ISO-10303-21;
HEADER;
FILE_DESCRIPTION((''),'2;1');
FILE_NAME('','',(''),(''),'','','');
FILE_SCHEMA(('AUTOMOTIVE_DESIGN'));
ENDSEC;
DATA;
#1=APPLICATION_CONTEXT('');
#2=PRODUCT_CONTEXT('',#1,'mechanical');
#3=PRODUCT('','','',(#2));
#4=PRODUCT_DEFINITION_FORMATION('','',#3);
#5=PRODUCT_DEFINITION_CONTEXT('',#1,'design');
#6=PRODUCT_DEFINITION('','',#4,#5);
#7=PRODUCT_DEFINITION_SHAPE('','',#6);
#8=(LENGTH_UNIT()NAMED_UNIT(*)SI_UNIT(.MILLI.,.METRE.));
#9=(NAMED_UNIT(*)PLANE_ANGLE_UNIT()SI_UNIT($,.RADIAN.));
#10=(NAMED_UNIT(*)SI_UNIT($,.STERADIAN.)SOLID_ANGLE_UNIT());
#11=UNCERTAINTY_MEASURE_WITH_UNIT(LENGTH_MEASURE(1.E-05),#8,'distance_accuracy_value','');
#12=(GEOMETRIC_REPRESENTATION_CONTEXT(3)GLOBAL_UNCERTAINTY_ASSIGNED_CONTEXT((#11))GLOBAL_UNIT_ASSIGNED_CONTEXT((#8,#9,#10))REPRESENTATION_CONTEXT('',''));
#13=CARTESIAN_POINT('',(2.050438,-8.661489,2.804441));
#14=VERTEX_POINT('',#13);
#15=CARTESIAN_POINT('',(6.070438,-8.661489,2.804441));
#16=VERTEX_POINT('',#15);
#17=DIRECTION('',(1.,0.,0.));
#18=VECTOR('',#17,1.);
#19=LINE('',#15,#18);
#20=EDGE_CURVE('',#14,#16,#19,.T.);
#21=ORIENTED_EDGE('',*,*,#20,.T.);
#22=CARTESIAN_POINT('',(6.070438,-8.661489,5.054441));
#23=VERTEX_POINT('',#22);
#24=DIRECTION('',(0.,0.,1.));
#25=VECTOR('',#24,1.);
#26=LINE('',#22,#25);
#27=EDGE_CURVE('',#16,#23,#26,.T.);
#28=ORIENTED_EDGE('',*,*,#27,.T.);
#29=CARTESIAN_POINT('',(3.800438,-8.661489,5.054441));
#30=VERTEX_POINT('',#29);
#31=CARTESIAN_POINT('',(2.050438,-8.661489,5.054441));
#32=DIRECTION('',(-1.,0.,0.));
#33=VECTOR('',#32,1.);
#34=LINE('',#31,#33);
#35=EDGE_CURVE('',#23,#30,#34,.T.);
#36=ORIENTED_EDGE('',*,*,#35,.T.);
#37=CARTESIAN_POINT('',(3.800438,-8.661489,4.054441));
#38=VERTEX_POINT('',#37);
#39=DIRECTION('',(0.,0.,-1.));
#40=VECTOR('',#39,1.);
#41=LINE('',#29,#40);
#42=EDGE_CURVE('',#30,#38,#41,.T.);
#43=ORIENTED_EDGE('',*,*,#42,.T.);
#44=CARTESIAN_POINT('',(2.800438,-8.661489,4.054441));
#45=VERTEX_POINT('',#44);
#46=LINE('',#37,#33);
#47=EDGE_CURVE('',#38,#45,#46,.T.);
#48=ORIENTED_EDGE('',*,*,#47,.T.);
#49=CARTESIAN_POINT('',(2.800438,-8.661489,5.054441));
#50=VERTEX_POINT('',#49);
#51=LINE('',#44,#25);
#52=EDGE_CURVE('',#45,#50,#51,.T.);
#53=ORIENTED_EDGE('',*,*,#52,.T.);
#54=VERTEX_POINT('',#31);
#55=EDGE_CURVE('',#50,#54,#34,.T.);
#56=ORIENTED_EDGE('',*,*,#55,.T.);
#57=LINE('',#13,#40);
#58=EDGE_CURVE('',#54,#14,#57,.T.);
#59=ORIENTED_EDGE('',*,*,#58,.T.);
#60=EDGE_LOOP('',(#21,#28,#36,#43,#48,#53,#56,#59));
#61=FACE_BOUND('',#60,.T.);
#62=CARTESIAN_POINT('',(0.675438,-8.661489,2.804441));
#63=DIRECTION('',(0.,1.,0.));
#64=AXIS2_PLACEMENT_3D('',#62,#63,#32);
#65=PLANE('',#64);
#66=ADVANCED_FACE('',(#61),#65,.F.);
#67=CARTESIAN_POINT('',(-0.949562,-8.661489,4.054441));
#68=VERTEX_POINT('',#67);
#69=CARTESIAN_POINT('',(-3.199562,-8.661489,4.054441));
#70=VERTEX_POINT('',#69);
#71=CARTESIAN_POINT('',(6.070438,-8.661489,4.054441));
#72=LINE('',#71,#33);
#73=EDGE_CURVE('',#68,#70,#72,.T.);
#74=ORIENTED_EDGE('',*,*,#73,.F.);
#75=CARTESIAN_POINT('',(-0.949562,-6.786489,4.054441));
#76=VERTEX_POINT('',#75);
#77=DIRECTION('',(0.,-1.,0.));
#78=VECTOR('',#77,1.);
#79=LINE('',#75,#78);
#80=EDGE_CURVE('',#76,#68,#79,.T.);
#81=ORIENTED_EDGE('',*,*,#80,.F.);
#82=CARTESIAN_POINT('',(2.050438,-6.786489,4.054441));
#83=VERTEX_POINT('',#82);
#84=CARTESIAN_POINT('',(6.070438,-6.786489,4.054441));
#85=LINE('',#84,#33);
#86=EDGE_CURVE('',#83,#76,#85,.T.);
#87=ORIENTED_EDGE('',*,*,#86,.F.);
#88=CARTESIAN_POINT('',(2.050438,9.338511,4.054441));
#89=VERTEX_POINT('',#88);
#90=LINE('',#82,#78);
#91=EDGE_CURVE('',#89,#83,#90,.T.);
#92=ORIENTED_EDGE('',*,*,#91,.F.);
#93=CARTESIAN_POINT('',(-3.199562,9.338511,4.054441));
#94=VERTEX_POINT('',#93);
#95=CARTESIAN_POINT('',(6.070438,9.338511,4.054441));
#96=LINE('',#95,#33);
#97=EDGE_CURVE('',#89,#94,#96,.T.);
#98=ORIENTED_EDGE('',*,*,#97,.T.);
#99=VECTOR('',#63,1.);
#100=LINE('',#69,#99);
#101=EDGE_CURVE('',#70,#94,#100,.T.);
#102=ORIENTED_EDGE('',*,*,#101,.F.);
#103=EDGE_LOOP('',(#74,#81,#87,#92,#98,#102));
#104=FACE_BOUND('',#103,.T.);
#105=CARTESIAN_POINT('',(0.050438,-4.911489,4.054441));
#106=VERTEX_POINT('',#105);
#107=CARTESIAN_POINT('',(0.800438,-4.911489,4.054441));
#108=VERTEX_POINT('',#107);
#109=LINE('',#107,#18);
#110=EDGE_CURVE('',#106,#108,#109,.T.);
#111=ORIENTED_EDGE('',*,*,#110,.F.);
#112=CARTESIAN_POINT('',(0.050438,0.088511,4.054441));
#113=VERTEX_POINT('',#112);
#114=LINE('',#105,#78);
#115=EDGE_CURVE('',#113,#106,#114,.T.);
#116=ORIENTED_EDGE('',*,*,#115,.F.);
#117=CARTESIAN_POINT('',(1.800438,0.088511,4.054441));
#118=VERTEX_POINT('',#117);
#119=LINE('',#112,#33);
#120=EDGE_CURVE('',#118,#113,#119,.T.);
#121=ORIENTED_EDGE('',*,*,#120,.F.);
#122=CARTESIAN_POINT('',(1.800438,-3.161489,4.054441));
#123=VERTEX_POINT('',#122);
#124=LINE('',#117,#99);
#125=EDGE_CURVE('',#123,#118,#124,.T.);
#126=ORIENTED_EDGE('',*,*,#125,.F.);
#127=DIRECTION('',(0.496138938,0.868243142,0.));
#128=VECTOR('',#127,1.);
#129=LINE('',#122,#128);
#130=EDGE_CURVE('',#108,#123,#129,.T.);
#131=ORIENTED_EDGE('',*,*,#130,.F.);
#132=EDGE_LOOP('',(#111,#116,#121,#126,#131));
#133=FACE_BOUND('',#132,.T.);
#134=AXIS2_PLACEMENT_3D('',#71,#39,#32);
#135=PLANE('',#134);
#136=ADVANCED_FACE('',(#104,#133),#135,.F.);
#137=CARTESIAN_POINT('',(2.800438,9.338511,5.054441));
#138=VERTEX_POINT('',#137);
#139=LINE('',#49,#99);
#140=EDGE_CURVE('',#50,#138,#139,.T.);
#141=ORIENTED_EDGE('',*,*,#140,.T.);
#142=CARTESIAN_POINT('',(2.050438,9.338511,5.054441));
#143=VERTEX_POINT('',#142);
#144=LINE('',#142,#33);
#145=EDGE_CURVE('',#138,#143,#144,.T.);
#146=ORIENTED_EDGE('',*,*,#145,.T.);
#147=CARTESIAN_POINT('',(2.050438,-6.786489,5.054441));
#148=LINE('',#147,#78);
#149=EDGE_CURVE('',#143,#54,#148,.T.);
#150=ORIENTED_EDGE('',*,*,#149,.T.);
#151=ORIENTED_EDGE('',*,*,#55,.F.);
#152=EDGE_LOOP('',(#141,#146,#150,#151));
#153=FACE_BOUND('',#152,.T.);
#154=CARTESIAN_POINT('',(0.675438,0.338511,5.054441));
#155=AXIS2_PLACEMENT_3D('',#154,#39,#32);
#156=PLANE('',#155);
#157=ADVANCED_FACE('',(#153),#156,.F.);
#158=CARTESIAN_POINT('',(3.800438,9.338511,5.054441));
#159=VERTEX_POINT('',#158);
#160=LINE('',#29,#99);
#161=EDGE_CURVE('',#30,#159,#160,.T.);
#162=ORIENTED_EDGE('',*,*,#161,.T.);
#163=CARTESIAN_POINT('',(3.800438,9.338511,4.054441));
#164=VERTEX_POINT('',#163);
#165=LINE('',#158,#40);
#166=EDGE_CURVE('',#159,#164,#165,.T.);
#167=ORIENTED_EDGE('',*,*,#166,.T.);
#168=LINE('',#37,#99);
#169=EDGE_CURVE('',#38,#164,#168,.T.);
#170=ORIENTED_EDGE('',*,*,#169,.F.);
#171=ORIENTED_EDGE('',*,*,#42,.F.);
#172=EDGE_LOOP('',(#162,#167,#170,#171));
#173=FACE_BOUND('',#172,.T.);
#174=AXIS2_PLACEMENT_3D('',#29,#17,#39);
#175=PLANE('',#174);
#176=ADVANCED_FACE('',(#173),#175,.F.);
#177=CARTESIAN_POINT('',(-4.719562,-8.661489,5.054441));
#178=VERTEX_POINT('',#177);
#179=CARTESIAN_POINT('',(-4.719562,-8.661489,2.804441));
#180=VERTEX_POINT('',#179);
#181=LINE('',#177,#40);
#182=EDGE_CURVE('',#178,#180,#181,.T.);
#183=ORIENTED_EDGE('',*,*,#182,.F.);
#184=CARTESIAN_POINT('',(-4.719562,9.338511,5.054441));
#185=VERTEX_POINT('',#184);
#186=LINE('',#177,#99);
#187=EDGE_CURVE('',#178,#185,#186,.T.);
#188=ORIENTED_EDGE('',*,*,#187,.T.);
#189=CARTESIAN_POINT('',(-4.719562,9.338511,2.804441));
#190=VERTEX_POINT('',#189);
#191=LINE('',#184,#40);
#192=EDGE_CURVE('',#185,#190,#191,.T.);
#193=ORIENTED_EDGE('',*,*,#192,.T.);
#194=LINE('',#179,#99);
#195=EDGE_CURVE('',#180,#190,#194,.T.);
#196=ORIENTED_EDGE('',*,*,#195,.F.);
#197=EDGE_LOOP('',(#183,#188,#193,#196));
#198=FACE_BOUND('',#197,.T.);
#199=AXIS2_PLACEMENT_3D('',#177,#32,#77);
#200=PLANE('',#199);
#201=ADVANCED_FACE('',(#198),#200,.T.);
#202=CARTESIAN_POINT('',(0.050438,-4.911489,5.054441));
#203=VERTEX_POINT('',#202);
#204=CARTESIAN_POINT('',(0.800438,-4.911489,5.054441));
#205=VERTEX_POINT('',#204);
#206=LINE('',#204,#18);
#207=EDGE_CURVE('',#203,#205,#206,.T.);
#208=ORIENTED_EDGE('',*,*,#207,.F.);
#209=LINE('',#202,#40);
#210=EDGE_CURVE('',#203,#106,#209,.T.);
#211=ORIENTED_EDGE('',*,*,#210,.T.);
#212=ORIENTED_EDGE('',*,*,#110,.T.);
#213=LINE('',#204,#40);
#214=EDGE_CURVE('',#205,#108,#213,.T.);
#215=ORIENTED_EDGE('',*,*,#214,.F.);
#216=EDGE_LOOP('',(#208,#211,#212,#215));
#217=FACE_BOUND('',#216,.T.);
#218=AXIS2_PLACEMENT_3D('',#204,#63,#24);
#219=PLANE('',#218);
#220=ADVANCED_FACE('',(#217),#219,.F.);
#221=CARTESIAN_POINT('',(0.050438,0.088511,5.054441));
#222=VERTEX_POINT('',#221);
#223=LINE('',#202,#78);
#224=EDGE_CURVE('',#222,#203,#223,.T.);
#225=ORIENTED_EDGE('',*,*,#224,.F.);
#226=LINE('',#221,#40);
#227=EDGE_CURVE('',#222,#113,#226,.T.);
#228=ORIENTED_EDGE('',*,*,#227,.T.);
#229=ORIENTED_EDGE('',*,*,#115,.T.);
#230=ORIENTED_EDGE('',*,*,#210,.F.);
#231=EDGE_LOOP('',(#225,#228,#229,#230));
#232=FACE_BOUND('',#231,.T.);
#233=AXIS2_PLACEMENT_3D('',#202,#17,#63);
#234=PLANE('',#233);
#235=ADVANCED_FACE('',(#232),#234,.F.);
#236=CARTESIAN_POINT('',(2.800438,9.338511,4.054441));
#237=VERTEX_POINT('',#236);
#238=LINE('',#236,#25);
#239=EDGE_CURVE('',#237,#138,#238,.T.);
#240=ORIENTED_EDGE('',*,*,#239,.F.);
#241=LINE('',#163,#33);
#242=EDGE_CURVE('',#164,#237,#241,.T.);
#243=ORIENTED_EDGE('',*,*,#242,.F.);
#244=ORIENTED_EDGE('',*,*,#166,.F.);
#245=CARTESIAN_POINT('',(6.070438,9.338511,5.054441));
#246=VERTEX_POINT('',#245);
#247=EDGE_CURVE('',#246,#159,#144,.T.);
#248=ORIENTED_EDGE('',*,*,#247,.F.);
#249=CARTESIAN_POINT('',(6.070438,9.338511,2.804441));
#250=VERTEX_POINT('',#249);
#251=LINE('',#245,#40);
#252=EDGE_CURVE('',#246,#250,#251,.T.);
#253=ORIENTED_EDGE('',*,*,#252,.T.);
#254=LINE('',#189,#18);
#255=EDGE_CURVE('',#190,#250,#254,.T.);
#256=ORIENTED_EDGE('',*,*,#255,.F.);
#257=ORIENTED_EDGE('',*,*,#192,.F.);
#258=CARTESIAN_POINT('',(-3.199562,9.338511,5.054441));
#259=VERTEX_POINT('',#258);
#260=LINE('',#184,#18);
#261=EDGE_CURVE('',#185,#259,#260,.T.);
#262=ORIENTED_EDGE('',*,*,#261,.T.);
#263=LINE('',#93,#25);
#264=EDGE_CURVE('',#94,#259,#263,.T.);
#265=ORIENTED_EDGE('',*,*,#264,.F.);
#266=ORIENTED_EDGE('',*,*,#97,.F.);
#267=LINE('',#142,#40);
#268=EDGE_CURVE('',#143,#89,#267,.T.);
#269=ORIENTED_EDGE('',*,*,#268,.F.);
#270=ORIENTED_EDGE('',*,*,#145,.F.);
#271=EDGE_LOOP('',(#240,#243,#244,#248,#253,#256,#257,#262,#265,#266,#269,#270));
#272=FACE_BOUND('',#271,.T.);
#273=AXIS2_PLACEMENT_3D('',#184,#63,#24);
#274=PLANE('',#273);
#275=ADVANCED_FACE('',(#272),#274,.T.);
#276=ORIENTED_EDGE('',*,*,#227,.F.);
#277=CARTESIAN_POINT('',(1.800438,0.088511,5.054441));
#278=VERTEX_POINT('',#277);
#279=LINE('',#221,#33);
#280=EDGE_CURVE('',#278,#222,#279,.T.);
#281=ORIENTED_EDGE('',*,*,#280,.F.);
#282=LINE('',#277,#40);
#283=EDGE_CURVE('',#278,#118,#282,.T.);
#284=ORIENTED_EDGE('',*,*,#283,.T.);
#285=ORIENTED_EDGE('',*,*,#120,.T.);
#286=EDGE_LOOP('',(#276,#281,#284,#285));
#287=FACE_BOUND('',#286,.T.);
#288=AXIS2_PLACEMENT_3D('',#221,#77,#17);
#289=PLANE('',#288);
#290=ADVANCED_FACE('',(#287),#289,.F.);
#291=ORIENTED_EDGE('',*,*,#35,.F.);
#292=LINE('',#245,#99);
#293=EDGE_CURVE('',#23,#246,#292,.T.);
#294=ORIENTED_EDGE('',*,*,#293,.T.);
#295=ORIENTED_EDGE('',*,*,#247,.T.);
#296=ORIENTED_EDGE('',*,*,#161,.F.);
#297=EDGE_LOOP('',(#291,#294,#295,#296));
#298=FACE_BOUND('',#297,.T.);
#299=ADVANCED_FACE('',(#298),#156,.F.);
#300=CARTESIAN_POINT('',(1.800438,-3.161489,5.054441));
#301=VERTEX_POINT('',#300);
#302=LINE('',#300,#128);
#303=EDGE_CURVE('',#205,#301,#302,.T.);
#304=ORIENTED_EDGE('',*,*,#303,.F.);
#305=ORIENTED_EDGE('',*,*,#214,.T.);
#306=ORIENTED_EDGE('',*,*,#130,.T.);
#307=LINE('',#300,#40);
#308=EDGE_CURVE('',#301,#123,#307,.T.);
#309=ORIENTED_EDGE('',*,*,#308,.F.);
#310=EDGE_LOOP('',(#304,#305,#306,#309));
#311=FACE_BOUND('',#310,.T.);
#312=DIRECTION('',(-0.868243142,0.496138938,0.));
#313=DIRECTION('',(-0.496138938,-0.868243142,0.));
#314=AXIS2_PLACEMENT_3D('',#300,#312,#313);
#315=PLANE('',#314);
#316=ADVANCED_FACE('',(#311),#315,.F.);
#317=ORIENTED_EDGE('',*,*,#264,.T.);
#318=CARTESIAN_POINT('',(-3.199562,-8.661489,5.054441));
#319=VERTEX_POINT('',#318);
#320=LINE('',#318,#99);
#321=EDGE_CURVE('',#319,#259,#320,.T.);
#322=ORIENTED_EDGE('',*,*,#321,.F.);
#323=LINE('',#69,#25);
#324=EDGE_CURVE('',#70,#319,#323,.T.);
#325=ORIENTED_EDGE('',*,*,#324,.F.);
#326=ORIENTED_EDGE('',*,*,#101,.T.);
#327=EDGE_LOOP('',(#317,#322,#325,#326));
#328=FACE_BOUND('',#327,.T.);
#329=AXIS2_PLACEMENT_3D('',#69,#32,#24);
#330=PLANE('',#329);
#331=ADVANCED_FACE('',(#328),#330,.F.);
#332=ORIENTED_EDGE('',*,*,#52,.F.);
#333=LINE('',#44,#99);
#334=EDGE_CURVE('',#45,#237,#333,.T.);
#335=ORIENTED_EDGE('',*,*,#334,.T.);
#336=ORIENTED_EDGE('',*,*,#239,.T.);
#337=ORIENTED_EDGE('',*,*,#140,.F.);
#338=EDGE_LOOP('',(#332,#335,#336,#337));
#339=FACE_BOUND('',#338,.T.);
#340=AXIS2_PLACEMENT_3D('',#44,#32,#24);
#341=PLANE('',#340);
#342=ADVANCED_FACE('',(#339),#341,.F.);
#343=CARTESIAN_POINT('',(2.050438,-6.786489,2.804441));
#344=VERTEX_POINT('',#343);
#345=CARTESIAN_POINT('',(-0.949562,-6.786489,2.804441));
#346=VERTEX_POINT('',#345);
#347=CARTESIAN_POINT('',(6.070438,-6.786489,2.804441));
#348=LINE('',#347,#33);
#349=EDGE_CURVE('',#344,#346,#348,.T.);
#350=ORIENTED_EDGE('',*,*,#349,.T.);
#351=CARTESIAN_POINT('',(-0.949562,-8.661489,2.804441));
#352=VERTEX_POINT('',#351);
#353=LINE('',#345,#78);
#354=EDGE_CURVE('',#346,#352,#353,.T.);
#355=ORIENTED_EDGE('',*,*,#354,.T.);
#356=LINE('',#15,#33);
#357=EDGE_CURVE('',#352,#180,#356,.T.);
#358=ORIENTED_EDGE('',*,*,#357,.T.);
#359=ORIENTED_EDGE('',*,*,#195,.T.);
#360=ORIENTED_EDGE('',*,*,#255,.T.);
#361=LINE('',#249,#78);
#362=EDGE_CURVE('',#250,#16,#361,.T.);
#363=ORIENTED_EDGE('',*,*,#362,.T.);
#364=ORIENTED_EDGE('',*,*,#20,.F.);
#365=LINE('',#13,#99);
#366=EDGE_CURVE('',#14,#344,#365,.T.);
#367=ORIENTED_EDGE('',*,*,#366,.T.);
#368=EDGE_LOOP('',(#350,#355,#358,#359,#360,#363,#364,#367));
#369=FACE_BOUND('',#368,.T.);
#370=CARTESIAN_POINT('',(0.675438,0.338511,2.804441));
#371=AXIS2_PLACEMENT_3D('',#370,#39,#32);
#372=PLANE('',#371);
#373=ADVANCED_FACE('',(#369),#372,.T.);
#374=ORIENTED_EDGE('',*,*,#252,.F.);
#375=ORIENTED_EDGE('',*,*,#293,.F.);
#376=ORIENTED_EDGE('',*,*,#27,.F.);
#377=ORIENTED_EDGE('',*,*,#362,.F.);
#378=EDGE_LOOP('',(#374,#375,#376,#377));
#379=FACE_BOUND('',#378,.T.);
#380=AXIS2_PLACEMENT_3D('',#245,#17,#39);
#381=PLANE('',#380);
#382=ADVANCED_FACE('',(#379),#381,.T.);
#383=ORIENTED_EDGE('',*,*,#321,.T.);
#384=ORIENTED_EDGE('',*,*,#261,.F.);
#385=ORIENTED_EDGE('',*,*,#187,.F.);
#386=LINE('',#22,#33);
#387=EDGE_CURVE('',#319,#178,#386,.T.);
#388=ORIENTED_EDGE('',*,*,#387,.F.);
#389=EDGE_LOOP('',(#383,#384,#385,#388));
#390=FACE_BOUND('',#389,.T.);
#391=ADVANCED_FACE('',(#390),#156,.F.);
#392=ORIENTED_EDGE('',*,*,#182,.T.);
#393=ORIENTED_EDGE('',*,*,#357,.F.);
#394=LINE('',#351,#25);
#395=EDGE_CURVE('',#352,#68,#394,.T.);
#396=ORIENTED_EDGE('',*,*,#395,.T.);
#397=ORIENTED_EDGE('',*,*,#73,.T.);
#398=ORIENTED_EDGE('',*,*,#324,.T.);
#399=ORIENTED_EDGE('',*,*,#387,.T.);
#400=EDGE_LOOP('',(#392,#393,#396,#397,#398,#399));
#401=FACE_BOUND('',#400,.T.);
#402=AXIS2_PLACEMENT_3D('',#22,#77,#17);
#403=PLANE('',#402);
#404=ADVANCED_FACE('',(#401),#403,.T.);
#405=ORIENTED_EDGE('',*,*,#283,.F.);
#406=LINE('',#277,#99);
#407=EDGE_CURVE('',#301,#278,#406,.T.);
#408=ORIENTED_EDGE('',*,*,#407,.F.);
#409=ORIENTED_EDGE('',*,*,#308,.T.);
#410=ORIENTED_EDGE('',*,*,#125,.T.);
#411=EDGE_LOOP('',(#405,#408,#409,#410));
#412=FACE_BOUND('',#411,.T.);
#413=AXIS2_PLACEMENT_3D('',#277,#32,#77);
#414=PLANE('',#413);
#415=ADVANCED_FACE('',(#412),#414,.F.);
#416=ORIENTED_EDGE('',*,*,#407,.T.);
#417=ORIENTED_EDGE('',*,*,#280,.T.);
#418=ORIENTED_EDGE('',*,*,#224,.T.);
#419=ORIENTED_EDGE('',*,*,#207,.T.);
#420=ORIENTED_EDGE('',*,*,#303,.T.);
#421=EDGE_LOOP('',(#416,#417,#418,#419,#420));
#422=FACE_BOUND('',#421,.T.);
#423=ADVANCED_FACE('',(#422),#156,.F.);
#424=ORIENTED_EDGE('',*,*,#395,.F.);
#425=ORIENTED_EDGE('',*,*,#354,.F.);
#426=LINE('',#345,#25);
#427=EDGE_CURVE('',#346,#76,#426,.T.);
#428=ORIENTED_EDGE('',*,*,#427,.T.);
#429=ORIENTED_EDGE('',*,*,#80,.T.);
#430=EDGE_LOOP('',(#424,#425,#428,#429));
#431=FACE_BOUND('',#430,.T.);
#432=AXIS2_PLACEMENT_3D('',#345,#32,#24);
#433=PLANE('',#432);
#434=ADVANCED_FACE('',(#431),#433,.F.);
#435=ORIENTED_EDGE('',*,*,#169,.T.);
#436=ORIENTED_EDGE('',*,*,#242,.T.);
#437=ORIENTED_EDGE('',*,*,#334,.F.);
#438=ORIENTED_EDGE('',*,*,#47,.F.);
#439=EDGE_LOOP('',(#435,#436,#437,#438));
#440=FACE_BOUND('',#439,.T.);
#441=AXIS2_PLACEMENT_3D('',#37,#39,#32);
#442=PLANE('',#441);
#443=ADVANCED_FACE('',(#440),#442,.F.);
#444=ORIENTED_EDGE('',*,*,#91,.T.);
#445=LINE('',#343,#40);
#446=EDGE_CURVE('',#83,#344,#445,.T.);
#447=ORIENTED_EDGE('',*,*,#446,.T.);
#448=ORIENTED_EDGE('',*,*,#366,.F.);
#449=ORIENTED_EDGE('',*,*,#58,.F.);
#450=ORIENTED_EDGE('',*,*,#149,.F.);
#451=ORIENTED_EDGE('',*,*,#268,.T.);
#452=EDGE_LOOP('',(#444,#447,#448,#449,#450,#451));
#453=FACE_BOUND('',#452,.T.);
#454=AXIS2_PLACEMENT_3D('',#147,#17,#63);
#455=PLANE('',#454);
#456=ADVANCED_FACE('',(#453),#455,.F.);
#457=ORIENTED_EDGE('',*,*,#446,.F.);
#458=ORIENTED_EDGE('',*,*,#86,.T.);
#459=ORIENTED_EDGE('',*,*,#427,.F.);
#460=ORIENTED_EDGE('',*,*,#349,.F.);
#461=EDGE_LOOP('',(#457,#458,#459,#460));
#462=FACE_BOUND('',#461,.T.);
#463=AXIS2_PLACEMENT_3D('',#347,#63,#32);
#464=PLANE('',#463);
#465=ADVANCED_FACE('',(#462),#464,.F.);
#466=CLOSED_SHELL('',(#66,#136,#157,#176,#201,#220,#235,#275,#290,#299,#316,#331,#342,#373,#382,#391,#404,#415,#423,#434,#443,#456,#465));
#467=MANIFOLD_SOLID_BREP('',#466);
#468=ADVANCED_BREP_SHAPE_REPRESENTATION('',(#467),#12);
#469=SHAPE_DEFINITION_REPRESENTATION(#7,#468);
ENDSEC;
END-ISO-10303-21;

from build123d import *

# Parameters (mm, degrees)
SKETCH1_W           = 43.16
SKETCH1_H           = 72
BOSS_EXTRUDE1_DEPTH = 9
SKETCH2_W           = 37.08
SKETCH2_H           = 4
CUT_EXTRUDE1_DEPTH  = 73
SKETCH3_W           = 28.08
SKETCH3_H           = 7.5
CUT_EXTRUDE2_DEPTH  = 6
SKETCH4_W           = 16.08
SKETCH4_H           = 64.5
BOSS_EXTRUDE2_DEPTH = 4
SKETCH5_W           = 16.08
SKETCH5_H           = 9
BOSS_EXTRUDE3_DEPTH = 7.5
SKETCH6_W           = 4
SKETCH6_H           = 4
CUT_EXTRUDE3_DEPTH  = 73
BOSS_EXTRUDE4_DEPTH = 4
SCALE1_SCALE        = 0.25


with BuildPart() as part:
    # Sketch1 → Boss-Extrude1 (new body)
    with BuildSketch(Plane(origin=(0, 0, 0), x_dir=(-1, 0, 0), z_dir=(0, 0, -1))):
        Rectangle(SKETCH1_W, SKETCH1_H)
    extrude(amount=-BOSS_EXTRUDE1_DEPTH)

    # Sketch2 → Cut-Extrude1 (cut, through all)
    with BuildSketch(Plane(origin=(0, 36, 0), x_dir=(-1, 0, 0), z_dir=(0, 1, 0))):
        with Locations((-3.04, 7)):
            Rectangle(SKETCH2_W, SKETCH2_H)
    extrude(amount=-CUT_EXTRUDE1_DEPTH, mode=Mode.SUBTRACT)

    # Sketch3 → Cut-Extrude2 (cut, through all)
    with BuildSketch(Plane.XY.offset(5)):
        with Locations((7.54, -32.25)):
            Rectangle(SKETCH3_W, SKETCH3_H)
    extrude(amount=-CUT_EXTRUDE2_DEPTH, mode=Mode.SUBTRACT)

    # Sketch4 → Boss-Extrude2 (add)
    with BuildSketch(Plane.XY.offset(5)):
        with Locations((13.54, 3.75)):
            Rectangle(SKETCH4_W, SKETCH4_H)
    extrude(amount=BOSS_EXTRUDE2_DEPTH)

    # Sketch5 → Boss-Extrude3 (add)
    with BuildSketch(Plane.XZ.offset(28.5)):
        with Locations((13.54, 4.5)):
            Rectangle(SKETCH5_W, SKETCH5_H)
    extrude(amount=BOSS_EXTRUDE3_DEPTH)

    # Sketch6 → Cut-Extrude3 (cut, through all)
    with BuildSketch(Plane(origin=(0, 36, 0), x_dir=(-1, 0, 0), z_dir=(0, 1, 0))):
        with Locations((-10.5, 7)):
            Rectangle(SKETCH6_W, SKETCH6_H)
    extrude(amount=-CUT_EXTRUDE3_DEPTH, mode=Mode.SUBTRACT)

    # Sketch7 → Boss-Extrude4 (add)
    with BuildSketch(Plane.XY.offset(5)):
        Polygon((-2.5, -1), (4.5, -1), (4.5, -14), (0.5, -21), (-2.5, -21), align=None)
    extrude(amount=BOSS_EXTRUDE4_DEPTH)


with BuildPart() as part_1:
    # Scale1: scaled about (0.900583751, 0.451348466, 3.739254469)
    add(part.part.scale(SCALE1_SCALE).moved(Location((0.675437813, 0.33851135, 2.804440852))))


solid = part_1.part
